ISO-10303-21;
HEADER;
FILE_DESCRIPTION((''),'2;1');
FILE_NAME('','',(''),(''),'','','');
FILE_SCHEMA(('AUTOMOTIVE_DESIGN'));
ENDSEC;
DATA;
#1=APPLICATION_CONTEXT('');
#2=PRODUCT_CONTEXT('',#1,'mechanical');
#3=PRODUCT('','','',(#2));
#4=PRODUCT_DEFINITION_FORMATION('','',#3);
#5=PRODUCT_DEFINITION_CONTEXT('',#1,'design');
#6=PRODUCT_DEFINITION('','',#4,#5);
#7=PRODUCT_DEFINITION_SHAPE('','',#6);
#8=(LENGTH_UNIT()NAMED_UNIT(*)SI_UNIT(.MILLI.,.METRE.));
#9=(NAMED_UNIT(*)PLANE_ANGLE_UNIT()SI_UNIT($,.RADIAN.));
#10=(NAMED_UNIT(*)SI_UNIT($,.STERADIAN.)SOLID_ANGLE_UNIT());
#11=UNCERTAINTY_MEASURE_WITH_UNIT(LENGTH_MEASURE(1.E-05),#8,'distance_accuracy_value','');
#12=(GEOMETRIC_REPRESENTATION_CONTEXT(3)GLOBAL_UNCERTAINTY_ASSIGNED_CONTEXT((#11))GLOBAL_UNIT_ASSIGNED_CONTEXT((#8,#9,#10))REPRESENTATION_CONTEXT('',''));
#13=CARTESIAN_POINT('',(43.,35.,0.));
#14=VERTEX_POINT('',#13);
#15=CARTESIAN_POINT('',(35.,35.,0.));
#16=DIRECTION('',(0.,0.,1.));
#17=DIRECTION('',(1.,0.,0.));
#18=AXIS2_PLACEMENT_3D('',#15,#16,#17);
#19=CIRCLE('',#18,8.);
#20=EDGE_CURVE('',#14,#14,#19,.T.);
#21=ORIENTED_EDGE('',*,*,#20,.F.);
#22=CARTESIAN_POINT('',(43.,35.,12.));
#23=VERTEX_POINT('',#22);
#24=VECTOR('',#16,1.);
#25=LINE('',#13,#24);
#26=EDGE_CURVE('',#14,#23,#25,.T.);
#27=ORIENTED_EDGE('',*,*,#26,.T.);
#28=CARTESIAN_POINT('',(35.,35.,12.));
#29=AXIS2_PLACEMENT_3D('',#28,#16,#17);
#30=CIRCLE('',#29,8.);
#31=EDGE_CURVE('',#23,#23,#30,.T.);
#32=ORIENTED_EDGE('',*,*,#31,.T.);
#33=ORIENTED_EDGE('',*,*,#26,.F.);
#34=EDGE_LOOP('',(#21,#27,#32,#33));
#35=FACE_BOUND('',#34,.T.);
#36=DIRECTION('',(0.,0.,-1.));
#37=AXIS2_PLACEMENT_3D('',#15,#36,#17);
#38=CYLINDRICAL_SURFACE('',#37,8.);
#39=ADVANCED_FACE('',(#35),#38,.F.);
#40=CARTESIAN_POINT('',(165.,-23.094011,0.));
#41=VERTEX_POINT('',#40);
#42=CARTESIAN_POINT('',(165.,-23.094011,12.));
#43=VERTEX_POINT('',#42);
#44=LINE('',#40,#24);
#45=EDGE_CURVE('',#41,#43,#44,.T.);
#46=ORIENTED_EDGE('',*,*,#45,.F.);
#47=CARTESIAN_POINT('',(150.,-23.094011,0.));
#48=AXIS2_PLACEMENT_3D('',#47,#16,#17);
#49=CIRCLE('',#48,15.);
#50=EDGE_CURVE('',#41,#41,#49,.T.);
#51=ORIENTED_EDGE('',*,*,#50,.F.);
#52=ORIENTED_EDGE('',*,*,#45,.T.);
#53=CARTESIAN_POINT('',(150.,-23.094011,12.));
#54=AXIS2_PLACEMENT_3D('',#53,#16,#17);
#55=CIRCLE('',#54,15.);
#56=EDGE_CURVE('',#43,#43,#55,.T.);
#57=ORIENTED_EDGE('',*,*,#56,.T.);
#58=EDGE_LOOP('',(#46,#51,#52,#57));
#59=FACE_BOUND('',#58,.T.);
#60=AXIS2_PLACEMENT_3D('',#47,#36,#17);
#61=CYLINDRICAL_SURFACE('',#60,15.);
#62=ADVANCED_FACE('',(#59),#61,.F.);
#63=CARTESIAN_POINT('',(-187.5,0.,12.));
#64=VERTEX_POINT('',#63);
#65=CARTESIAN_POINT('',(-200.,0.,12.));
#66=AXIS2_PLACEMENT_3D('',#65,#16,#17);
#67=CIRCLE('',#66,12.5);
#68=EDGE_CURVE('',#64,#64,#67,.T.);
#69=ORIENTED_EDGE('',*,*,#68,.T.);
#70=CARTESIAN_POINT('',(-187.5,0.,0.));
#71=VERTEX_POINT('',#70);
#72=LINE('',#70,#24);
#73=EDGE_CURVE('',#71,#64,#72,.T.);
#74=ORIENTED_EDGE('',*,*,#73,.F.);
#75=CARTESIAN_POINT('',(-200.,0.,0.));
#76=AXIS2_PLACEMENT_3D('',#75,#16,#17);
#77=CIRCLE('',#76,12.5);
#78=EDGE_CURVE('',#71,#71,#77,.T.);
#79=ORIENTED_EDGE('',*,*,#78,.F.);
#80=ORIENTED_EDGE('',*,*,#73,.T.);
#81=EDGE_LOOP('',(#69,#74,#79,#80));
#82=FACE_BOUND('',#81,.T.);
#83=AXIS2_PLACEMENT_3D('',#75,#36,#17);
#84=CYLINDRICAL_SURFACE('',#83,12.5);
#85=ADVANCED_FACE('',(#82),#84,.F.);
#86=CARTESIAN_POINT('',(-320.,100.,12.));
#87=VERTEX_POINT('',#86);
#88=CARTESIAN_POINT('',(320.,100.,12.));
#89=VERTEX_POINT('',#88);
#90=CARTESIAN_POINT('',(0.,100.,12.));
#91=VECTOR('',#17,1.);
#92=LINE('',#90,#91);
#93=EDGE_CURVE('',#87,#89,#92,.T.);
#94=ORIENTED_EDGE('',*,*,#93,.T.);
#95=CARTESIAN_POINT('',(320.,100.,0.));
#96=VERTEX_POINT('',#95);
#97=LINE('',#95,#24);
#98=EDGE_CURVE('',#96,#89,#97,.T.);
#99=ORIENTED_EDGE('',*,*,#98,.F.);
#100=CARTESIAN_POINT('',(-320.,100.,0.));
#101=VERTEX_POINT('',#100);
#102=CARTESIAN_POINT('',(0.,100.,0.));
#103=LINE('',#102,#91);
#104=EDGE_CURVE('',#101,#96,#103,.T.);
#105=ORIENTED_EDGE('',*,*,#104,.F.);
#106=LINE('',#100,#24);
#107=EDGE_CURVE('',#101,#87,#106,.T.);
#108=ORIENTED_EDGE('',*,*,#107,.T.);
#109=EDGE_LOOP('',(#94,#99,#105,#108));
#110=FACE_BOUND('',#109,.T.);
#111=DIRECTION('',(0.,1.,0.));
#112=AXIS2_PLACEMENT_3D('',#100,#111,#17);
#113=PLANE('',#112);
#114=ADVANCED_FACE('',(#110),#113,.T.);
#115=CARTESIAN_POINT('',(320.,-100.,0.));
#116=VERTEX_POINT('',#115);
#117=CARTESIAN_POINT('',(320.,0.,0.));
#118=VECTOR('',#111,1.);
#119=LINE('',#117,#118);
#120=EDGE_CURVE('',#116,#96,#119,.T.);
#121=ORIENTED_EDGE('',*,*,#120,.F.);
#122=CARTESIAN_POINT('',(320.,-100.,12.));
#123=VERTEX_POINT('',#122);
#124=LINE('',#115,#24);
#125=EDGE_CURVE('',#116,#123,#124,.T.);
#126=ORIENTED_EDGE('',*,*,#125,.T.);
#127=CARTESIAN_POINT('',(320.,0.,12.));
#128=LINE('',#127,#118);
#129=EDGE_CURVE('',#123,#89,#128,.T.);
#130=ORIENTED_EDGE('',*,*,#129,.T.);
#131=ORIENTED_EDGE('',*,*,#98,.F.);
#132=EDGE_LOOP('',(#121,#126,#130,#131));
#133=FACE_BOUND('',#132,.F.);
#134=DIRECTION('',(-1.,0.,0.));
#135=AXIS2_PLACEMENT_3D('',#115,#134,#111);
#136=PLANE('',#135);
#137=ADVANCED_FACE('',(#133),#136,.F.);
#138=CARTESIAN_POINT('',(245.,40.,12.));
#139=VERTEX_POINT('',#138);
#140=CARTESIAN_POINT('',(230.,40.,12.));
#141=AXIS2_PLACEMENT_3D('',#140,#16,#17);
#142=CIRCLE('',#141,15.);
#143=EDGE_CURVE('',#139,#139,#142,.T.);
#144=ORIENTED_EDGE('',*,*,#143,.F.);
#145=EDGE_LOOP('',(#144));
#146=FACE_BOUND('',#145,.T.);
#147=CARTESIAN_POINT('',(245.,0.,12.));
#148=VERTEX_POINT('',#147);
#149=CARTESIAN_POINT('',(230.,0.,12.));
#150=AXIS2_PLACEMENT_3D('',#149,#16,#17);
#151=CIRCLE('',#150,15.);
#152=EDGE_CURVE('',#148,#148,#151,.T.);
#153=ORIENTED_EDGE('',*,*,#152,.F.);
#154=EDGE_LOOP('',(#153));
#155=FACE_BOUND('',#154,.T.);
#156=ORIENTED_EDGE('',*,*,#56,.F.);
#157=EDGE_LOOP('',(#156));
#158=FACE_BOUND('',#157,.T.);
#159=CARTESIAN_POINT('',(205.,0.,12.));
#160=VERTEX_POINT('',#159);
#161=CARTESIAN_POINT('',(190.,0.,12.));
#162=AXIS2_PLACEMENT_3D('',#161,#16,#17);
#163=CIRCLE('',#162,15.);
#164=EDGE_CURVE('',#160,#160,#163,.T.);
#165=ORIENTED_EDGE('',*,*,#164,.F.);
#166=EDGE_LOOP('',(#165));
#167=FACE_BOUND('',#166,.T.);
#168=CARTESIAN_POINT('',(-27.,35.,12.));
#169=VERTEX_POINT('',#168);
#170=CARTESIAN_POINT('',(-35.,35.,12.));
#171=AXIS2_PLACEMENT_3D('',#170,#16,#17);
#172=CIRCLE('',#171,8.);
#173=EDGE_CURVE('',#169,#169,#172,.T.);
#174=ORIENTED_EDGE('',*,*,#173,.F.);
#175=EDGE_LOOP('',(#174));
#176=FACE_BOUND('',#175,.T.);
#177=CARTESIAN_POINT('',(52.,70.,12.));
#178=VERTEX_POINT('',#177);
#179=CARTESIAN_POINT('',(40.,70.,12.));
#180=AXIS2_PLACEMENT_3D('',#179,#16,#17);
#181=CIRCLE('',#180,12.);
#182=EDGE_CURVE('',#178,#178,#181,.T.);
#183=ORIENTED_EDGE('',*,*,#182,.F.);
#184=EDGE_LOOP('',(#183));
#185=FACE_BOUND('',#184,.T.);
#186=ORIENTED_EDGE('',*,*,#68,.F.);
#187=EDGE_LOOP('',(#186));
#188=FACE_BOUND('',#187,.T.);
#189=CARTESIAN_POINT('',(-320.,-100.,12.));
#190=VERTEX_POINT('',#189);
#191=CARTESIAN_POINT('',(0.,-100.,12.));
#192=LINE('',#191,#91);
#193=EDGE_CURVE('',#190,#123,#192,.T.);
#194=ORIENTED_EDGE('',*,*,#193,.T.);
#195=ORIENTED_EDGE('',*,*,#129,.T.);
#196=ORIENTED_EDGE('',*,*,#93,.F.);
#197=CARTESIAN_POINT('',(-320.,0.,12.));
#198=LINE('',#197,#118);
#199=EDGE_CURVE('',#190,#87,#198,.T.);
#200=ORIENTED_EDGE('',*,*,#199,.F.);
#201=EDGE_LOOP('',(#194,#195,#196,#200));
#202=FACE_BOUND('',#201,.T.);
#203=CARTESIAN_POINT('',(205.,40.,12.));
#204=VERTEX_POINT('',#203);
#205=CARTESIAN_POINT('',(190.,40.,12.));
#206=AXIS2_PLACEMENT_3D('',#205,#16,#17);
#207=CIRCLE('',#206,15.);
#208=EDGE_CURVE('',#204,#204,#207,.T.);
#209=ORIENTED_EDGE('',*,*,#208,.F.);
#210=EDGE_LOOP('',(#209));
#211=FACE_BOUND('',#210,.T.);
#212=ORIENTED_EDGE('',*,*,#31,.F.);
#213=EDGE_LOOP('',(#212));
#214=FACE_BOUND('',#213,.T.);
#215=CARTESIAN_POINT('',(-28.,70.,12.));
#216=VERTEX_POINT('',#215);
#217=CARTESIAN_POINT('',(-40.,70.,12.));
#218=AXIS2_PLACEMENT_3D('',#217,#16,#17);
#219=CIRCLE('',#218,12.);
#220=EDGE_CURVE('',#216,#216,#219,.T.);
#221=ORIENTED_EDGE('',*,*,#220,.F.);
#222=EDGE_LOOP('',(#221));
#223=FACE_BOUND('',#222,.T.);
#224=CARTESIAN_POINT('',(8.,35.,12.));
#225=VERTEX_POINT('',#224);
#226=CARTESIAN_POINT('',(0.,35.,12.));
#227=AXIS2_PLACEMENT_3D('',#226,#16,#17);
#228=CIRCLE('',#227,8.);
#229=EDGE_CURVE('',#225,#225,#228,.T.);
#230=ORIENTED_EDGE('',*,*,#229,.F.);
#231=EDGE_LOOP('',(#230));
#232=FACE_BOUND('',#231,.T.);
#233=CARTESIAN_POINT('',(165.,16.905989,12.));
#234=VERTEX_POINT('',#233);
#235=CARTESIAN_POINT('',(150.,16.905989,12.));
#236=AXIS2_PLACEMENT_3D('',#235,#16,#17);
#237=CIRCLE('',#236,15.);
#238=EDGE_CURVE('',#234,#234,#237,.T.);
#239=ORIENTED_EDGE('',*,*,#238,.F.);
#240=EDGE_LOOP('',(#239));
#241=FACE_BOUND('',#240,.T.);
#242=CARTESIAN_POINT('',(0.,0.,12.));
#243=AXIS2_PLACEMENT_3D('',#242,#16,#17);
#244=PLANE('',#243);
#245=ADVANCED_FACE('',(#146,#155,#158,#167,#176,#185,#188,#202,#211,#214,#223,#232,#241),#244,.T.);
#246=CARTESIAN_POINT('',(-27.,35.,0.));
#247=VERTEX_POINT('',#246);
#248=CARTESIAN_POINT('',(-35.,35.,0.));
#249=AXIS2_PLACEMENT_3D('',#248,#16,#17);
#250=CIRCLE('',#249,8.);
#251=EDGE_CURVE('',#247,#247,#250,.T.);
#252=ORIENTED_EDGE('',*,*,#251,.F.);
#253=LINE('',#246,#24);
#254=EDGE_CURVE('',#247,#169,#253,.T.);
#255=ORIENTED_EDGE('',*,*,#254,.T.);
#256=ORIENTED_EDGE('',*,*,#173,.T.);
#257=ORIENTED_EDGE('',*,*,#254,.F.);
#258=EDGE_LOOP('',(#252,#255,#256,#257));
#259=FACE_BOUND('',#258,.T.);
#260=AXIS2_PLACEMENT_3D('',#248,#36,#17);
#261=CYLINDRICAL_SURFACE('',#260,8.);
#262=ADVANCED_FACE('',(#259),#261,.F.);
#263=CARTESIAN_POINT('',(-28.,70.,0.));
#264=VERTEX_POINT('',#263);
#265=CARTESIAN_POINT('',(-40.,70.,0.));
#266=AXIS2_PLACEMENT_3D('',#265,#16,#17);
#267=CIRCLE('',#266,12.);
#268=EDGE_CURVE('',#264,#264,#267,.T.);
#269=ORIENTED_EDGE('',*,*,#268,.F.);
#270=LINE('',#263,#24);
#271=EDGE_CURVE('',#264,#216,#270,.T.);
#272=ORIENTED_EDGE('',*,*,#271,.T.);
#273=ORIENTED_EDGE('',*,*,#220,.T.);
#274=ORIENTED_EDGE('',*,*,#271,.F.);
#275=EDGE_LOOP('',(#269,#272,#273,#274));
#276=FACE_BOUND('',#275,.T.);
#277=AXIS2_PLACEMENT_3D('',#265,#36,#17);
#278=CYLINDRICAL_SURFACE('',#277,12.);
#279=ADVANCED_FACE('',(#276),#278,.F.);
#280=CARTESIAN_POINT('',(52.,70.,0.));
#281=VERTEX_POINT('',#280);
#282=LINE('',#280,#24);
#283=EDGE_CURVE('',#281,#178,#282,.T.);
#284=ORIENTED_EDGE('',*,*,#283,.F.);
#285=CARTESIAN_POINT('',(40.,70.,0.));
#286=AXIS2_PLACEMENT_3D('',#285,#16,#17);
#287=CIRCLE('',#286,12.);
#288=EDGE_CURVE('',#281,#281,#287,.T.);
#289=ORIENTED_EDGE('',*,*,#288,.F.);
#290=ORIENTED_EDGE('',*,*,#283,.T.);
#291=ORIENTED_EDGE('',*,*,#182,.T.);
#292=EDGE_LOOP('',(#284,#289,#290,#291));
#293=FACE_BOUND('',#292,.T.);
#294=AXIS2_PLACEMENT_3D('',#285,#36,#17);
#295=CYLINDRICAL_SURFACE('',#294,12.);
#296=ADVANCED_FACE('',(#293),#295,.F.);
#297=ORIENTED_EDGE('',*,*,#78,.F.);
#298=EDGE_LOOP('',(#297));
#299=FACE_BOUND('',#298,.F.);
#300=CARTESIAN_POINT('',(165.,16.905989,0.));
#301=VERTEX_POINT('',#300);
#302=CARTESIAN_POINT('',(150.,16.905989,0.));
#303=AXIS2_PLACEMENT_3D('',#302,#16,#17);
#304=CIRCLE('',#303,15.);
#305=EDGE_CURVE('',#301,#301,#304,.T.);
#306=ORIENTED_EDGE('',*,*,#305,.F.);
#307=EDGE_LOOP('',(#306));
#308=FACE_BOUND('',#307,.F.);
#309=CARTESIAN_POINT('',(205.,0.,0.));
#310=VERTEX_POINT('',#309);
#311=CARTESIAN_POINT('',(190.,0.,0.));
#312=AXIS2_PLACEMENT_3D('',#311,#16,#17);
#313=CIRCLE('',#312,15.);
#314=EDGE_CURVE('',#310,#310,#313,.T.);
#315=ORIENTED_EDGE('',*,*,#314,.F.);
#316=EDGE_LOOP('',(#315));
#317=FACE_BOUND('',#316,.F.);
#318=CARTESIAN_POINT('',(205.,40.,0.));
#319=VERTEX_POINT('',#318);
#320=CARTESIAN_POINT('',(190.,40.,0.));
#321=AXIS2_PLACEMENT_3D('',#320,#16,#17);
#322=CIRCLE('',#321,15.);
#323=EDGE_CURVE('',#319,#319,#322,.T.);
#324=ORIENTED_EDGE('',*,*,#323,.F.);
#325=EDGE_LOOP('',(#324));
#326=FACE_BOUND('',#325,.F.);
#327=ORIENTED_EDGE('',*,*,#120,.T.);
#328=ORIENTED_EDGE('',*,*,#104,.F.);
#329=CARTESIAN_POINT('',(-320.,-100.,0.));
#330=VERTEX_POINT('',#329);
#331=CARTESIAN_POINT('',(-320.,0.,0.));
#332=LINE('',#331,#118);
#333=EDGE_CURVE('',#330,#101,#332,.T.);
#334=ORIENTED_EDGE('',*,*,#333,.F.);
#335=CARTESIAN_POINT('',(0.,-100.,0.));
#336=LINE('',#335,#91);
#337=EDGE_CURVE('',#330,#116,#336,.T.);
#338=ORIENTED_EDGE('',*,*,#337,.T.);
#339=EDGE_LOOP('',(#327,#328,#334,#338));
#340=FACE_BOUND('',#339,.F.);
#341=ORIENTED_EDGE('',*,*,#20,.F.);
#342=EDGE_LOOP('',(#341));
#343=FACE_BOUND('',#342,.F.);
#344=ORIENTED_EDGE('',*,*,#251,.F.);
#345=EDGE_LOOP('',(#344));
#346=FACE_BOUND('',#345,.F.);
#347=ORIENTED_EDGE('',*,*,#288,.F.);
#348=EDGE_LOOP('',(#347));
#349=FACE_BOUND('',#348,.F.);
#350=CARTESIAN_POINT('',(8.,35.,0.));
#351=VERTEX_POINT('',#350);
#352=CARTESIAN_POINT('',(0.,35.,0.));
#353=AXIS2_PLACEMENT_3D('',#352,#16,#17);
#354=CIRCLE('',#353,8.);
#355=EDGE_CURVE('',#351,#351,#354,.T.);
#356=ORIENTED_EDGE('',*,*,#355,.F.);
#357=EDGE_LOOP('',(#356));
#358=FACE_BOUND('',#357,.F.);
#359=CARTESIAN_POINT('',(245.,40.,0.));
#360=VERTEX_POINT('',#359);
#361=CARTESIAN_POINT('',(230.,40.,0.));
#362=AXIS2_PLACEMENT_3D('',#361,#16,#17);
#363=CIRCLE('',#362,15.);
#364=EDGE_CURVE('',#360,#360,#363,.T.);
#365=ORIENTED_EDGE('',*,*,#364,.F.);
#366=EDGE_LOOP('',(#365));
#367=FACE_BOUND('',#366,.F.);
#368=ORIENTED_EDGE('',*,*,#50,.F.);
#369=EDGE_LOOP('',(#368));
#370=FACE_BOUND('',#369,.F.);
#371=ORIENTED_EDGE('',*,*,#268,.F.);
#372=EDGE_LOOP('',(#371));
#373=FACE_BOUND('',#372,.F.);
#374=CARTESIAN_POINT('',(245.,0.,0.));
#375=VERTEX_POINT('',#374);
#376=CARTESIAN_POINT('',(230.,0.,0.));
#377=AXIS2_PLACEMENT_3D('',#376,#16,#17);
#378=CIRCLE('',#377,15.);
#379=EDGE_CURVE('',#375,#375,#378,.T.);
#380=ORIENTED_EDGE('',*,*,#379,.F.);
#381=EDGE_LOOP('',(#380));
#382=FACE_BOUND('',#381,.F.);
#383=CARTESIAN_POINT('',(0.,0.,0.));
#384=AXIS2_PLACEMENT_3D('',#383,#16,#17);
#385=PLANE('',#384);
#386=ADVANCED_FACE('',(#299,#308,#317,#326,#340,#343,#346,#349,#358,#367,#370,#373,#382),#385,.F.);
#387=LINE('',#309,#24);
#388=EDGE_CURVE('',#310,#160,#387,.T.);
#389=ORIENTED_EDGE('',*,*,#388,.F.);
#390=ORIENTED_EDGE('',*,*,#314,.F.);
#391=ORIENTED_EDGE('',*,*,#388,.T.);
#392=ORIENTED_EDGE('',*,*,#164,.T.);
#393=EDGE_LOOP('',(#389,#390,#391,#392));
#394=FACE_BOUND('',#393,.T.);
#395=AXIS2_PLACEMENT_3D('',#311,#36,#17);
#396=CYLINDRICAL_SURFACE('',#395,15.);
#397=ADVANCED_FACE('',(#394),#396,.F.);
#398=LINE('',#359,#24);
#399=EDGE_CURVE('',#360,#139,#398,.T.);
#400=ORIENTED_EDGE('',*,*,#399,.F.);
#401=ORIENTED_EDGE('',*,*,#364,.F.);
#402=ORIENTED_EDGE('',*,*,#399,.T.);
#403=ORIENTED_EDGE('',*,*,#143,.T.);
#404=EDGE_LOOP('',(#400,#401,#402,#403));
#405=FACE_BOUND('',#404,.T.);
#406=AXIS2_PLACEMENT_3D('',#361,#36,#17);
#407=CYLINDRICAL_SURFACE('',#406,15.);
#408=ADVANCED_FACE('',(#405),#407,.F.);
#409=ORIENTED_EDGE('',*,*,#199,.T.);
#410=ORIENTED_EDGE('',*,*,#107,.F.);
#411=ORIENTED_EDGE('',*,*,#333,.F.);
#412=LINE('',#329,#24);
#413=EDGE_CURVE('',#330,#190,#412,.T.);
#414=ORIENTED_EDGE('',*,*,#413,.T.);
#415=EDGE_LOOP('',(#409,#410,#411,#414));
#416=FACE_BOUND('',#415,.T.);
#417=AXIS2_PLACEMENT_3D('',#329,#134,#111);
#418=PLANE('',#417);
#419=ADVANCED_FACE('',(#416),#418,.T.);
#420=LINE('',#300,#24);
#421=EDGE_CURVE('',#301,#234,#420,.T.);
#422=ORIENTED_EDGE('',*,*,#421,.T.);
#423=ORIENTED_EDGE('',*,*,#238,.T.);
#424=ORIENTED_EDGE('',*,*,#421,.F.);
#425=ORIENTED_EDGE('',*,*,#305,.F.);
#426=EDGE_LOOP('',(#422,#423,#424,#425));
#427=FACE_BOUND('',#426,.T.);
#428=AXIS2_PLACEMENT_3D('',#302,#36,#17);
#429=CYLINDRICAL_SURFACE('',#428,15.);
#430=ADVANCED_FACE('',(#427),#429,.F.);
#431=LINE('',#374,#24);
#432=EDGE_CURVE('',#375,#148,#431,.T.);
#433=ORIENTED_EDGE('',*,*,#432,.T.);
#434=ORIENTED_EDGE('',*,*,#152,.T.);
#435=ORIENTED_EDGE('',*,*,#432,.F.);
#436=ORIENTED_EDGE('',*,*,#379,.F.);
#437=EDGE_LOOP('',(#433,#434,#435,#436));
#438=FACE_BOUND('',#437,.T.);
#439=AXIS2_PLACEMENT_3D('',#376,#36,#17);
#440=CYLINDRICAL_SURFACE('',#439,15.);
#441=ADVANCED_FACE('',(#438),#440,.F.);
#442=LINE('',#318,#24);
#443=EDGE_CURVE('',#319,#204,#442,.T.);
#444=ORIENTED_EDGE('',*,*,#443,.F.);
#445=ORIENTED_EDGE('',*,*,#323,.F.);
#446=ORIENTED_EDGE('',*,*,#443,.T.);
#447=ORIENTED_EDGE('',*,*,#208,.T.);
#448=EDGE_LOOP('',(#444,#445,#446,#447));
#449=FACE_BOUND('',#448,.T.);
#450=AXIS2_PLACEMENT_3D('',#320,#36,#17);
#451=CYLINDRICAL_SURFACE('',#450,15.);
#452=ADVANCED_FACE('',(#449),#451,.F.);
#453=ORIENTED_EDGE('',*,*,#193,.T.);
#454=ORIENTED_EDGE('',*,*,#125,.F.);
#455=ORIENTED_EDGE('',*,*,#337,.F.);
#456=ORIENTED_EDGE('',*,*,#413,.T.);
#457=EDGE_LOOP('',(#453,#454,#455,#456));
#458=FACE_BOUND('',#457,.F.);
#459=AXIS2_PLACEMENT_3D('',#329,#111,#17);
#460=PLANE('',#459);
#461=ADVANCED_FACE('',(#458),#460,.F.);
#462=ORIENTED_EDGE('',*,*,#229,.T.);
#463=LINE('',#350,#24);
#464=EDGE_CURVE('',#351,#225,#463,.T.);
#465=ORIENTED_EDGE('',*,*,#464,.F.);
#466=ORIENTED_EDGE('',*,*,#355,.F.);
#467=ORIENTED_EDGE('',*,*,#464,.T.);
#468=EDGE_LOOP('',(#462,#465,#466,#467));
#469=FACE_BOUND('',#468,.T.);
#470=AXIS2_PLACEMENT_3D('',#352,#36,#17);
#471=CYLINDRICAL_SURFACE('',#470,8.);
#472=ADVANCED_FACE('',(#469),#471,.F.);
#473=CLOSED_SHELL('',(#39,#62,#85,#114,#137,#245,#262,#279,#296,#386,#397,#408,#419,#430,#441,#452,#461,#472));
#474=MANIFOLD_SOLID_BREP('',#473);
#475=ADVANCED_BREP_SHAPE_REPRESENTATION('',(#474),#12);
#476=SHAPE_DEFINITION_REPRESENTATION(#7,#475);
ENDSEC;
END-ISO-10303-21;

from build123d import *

# Parameters (mm, degrees)
F0_W     = 640
F0_H     = 200
F0_R     = 15
F0_R_2   = 12.5
F0_R_3   = 8
F0_R_4   = 12
F1_DEPTH = 12


with BuildPart() as f1:
    # F0 (on Top) → F1 (new body)
    with BuildSketch(Plane.XY):
        Rectangle(F0_W, F0_H)
        with Locations((150, -23.094011)):
            Circle(F0_R, mode=Mode.SUBTRACT)
        with Locations((-200, 0)):
            Circle(F0_R_2, mode=Mode.SUBTRACT)
        with Locations((-35, 35)):
            Circle(F0_R_3, mode=Mode.SUBTRACT)
        with Locations((-40, 70)):
            Circle(F0_R_4, mode=Mode.SUBTRACT)
        with Locations((150, 16.905989)):
            Circle(F0_R, mode=Mode.SUBTRACT)
        with Locations((0, 35)):
            Circle(F0_R_3, mode=Mode.SUBTRACT)
        with Locations((35, 35)):
            Circle(F0_R_3, mode=Mode.SUBTRACT)
        with Locations((190, 0)):
            Circle(F0_R, mode=Mode.SUBTRACT)
        with Locations((230, 0)):
            Circle(F0_R, mode=Mode.SUBTRACT)
        with Locations((190, 40)):
            Circle(F0_R, mode=Mode.SUBTRACT)
        with Locations((230, 40)):
            Circle(F0_R, mode=Mode.SUBTRACT)
        with Locations((40, 70)):
            Circle(F0_R_4, mode=Mode.SUBTRACT)
    extrude(amount=F1_DEPTH)


solid = f1.part
